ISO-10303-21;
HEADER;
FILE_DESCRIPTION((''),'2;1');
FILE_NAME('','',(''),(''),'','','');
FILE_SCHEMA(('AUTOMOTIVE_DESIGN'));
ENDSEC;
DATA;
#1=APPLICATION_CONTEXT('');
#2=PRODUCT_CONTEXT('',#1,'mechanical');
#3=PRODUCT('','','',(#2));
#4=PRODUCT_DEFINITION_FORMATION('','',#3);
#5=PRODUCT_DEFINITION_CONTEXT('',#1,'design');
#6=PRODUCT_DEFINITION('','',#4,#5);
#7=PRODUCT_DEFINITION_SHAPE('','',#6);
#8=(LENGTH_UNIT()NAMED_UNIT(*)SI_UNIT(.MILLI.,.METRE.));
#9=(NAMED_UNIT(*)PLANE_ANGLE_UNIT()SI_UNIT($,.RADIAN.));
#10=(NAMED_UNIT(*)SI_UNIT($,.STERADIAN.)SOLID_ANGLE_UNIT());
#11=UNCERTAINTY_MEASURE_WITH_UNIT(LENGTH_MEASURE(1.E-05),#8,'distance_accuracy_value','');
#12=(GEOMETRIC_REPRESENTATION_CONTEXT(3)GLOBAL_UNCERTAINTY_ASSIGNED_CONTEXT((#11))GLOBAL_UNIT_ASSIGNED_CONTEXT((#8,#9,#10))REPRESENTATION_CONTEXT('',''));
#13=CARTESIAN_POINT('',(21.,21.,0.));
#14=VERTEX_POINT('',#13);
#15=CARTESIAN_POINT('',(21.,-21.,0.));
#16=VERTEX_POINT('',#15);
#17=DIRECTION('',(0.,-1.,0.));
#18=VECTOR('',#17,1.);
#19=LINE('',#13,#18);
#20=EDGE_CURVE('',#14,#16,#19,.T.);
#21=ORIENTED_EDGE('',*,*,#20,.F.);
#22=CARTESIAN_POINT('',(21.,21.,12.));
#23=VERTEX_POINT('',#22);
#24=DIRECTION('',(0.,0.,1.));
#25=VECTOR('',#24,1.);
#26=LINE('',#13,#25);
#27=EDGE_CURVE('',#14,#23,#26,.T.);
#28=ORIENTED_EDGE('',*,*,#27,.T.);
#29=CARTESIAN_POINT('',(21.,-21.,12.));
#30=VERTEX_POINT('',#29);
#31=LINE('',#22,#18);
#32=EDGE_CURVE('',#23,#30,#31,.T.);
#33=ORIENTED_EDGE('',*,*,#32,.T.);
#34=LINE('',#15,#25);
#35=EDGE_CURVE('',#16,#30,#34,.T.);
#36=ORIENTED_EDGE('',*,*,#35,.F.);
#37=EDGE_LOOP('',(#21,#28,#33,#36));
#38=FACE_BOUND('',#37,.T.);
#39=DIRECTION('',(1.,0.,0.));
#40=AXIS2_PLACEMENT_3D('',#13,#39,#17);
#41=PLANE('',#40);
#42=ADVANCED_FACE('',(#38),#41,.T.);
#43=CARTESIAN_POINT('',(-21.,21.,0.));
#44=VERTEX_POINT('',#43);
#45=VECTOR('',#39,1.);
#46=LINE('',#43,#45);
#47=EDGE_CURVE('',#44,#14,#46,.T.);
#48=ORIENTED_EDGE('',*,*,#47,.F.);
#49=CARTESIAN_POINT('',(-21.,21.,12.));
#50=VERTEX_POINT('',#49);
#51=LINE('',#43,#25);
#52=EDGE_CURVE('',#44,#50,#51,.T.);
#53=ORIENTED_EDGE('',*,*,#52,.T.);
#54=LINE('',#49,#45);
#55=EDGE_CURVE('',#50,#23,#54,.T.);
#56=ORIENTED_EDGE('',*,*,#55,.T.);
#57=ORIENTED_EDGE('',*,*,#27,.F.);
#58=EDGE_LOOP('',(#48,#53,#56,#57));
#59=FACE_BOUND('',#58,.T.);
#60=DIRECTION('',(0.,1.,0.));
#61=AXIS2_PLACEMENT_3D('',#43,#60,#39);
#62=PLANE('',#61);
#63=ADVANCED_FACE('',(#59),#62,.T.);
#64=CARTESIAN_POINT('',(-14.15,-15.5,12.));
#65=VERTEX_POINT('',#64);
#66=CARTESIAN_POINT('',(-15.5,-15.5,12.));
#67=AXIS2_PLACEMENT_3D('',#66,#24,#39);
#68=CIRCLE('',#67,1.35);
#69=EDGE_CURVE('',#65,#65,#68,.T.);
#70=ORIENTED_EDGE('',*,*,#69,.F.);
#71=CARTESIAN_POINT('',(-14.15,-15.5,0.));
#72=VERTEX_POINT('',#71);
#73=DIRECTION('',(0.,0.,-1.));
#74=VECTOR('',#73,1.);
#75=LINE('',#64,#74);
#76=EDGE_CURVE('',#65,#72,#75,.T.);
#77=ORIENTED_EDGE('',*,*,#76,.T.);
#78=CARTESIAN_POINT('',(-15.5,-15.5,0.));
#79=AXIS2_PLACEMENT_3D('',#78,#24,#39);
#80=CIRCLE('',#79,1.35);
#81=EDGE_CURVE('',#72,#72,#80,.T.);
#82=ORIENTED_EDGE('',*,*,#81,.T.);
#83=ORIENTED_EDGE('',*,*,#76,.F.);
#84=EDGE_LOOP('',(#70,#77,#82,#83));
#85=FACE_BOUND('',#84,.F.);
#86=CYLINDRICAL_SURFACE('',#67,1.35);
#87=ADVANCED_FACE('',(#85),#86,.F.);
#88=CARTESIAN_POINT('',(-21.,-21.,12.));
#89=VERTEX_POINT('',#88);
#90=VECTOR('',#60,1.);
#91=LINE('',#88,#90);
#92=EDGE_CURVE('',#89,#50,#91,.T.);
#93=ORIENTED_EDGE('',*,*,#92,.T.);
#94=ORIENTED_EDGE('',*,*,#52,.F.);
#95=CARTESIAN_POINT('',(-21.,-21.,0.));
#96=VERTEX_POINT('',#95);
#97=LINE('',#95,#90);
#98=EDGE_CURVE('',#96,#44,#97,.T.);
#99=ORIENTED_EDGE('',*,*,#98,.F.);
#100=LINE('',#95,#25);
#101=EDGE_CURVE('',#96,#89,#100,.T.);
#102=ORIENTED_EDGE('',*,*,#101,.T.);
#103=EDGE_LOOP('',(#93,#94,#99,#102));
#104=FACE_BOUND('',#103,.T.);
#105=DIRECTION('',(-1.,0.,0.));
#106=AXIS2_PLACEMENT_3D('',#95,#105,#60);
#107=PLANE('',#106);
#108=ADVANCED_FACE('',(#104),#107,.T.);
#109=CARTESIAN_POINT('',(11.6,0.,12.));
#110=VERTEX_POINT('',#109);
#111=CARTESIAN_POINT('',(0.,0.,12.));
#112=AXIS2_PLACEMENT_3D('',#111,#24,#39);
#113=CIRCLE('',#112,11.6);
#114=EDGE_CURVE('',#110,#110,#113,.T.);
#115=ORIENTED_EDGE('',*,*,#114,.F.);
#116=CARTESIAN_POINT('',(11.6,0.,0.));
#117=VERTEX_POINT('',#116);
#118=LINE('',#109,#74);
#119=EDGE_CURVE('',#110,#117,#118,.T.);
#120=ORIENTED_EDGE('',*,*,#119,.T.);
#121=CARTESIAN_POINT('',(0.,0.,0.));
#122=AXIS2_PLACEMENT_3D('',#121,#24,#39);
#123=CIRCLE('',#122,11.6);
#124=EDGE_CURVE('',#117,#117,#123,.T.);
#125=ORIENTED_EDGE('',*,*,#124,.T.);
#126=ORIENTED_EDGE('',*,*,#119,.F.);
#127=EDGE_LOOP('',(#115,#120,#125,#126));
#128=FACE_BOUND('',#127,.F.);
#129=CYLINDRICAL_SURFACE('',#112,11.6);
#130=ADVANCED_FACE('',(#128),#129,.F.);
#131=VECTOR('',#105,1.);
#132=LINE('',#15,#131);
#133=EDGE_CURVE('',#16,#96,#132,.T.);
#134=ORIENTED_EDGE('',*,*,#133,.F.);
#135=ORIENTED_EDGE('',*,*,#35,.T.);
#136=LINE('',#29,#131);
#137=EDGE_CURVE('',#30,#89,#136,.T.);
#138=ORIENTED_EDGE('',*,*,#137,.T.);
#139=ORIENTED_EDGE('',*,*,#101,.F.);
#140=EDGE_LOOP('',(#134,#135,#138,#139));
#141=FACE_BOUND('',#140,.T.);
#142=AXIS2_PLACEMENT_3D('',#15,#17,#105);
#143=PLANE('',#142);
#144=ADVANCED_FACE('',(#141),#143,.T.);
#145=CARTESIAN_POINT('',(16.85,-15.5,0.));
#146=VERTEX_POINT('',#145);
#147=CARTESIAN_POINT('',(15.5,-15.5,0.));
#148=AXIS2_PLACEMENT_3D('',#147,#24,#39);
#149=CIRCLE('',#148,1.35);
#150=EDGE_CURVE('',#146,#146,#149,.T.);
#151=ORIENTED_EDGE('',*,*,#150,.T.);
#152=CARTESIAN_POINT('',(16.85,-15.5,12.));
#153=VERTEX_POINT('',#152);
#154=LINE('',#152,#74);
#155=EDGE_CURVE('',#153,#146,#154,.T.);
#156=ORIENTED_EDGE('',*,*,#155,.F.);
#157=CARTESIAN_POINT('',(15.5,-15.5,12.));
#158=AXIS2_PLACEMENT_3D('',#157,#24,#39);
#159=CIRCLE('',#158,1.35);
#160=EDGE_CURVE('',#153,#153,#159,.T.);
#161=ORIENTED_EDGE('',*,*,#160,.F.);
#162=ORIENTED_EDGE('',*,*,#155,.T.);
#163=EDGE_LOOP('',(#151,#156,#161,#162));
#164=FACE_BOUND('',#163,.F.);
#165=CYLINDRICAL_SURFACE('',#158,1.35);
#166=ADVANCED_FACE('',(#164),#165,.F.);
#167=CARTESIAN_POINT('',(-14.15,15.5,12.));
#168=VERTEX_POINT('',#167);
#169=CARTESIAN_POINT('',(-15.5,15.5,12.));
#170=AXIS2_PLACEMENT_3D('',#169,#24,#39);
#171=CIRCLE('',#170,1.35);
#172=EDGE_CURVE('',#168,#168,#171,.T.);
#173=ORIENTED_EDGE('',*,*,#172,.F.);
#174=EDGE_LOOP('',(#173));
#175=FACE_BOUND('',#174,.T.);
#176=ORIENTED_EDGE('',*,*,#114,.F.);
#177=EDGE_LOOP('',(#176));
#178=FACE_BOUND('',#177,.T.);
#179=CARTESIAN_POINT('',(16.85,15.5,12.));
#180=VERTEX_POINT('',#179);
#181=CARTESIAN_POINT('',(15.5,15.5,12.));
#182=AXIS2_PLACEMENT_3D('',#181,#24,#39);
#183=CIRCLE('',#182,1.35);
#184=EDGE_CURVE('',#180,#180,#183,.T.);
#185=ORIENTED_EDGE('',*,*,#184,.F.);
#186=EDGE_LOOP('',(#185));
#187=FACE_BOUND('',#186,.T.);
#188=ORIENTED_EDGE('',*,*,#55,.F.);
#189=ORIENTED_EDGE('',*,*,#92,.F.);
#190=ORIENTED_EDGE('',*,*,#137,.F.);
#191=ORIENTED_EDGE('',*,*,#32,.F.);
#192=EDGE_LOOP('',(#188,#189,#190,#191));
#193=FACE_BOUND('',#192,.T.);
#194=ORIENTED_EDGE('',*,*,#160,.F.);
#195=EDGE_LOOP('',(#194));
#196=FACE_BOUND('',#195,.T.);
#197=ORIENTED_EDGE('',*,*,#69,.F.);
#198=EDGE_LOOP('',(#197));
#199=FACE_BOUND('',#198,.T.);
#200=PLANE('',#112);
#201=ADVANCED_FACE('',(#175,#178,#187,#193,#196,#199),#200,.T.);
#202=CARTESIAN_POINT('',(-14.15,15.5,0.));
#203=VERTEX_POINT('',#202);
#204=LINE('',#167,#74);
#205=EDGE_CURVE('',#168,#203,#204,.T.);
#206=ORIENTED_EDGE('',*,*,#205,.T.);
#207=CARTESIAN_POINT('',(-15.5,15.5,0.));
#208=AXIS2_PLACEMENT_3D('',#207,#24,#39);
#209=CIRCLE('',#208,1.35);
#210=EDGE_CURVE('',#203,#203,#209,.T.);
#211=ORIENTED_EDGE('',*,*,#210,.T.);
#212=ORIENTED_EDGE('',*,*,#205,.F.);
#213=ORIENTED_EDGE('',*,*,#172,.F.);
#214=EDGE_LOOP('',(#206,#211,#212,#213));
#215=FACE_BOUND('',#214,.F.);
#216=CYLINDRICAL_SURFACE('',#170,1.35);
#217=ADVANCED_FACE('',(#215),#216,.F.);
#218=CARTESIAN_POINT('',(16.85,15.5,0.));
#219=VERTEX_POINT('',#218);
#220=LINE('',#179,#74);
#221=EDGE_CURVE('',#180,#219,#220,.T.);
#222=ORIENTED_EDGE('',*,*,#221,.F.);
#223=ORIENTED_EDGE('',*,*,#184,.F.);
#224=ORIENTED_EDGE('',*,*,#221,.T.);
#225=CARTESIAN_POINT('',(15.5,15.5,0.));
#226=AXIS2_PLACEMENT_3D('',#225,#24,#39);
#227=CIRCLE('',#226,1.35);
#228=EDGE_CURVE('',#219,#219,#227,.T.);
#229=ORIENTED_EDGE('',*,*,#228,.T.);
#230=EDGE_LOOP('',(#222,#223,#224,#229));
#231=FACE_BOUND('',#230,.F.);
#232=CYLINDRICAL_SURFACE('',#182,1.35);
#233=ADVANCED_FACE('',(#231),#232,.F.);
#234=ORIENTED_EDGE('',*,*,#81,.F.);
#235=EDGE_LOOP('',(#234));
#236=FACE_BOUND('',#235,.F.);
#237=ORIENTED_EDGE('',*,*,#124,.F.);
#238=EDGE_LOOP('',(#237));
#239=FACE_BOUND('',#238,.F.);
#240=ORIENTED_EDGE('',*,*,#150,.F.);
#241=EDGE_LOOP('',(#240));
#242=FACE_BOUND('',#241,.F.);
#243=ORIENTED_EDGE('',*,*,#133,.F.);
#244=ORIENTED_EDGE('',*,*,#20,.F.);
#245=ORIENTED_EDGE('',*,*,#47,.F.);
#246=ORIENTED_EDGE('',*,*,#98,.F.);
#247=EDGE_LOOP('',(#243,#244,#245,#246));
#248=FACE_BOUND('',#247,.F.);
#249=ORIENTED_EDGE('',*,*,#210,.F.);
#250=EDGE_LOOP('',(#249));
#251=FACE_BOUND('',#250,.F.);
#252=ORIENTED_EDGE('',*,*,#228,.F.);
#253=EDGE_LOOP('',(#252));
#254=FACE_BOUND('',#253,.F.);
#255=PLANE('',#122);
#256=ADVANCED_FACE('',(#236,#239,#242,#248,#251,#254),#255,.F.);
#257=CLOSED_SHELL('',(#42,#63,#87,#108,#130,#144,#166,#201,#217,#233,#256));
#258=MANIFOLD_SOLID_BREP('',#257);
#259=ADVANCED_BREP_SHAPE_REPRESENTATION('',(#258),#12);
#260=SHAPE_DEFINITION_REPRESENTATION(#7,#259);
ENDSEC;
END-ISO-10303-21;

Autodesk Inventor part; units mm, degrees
sketch "Эскиз1" plane through (0, 0, 0) normal (0, 0, 1) x (1, 0, 0)
  line L0 (21, -21) -> (-21, -21)
  line L1 (-21, -21) -> (-21, 21)
  line L2 (-21, 21) -> (21, 21)
  line L3 (21, 21) -> (21, -21)
  line L4 (21, -21) -> (-21, 21) construction
  line L5 (-21, -21) -> (21, 21) construction
  point P0 (0, 0)
  dimension "d0" = 42
extrude "Выдавливание1" add sketch "Эскиз1" along normal blind 12
sketch "Эскиз2" plane through (0, 0, 12) normal (0, 0, 1) x (1, 0, 0)
  circle A0 centre (0, 0) radius 11.6
  dimension "d3" = 23.2
extrude "Выдавливание2" cut sketch "Эскиз2" against normal up to next
sketch "Эскиз3" plane through (0, 0, 12) normal (0, 0, 1) x (1, 0, 0)
  circle A0 centre (-15.5, 15.5) radius 1.35
  circle A1 centre (15.5, 15.5) radius 1.35
  circle A2 centre (-15.5, -15.5) radius 1.35
  circle A3 centre (15.5, -15.5) radius 1.35
  line L0 (-15.5, 15.5) -> (-15.5, -15.5) construction
  line L1 (-15.5, -15.5) -> (15.5, -15.5) construction
  line L2 (15.5, -15.5) -> (15.5, 15.5) construction
  line L3 (15.5, 15.5) -> (-15.5, 15.5) construction
  line L4 (-15.5, 15.5) -> (15.5, -15.5) construction
  line L5 (15.5, 15.5) -> (-15.5, -15.5) construction
  point P0 (0, 0)
  point P1 (0, 0)
  dimension "d6" = 2.7
  dimension "d7" = 31
extrude "Выдавливание3" cut sketch "Эскиз3" against normal up to next
properties part number "Крепление_мотора_V2"
